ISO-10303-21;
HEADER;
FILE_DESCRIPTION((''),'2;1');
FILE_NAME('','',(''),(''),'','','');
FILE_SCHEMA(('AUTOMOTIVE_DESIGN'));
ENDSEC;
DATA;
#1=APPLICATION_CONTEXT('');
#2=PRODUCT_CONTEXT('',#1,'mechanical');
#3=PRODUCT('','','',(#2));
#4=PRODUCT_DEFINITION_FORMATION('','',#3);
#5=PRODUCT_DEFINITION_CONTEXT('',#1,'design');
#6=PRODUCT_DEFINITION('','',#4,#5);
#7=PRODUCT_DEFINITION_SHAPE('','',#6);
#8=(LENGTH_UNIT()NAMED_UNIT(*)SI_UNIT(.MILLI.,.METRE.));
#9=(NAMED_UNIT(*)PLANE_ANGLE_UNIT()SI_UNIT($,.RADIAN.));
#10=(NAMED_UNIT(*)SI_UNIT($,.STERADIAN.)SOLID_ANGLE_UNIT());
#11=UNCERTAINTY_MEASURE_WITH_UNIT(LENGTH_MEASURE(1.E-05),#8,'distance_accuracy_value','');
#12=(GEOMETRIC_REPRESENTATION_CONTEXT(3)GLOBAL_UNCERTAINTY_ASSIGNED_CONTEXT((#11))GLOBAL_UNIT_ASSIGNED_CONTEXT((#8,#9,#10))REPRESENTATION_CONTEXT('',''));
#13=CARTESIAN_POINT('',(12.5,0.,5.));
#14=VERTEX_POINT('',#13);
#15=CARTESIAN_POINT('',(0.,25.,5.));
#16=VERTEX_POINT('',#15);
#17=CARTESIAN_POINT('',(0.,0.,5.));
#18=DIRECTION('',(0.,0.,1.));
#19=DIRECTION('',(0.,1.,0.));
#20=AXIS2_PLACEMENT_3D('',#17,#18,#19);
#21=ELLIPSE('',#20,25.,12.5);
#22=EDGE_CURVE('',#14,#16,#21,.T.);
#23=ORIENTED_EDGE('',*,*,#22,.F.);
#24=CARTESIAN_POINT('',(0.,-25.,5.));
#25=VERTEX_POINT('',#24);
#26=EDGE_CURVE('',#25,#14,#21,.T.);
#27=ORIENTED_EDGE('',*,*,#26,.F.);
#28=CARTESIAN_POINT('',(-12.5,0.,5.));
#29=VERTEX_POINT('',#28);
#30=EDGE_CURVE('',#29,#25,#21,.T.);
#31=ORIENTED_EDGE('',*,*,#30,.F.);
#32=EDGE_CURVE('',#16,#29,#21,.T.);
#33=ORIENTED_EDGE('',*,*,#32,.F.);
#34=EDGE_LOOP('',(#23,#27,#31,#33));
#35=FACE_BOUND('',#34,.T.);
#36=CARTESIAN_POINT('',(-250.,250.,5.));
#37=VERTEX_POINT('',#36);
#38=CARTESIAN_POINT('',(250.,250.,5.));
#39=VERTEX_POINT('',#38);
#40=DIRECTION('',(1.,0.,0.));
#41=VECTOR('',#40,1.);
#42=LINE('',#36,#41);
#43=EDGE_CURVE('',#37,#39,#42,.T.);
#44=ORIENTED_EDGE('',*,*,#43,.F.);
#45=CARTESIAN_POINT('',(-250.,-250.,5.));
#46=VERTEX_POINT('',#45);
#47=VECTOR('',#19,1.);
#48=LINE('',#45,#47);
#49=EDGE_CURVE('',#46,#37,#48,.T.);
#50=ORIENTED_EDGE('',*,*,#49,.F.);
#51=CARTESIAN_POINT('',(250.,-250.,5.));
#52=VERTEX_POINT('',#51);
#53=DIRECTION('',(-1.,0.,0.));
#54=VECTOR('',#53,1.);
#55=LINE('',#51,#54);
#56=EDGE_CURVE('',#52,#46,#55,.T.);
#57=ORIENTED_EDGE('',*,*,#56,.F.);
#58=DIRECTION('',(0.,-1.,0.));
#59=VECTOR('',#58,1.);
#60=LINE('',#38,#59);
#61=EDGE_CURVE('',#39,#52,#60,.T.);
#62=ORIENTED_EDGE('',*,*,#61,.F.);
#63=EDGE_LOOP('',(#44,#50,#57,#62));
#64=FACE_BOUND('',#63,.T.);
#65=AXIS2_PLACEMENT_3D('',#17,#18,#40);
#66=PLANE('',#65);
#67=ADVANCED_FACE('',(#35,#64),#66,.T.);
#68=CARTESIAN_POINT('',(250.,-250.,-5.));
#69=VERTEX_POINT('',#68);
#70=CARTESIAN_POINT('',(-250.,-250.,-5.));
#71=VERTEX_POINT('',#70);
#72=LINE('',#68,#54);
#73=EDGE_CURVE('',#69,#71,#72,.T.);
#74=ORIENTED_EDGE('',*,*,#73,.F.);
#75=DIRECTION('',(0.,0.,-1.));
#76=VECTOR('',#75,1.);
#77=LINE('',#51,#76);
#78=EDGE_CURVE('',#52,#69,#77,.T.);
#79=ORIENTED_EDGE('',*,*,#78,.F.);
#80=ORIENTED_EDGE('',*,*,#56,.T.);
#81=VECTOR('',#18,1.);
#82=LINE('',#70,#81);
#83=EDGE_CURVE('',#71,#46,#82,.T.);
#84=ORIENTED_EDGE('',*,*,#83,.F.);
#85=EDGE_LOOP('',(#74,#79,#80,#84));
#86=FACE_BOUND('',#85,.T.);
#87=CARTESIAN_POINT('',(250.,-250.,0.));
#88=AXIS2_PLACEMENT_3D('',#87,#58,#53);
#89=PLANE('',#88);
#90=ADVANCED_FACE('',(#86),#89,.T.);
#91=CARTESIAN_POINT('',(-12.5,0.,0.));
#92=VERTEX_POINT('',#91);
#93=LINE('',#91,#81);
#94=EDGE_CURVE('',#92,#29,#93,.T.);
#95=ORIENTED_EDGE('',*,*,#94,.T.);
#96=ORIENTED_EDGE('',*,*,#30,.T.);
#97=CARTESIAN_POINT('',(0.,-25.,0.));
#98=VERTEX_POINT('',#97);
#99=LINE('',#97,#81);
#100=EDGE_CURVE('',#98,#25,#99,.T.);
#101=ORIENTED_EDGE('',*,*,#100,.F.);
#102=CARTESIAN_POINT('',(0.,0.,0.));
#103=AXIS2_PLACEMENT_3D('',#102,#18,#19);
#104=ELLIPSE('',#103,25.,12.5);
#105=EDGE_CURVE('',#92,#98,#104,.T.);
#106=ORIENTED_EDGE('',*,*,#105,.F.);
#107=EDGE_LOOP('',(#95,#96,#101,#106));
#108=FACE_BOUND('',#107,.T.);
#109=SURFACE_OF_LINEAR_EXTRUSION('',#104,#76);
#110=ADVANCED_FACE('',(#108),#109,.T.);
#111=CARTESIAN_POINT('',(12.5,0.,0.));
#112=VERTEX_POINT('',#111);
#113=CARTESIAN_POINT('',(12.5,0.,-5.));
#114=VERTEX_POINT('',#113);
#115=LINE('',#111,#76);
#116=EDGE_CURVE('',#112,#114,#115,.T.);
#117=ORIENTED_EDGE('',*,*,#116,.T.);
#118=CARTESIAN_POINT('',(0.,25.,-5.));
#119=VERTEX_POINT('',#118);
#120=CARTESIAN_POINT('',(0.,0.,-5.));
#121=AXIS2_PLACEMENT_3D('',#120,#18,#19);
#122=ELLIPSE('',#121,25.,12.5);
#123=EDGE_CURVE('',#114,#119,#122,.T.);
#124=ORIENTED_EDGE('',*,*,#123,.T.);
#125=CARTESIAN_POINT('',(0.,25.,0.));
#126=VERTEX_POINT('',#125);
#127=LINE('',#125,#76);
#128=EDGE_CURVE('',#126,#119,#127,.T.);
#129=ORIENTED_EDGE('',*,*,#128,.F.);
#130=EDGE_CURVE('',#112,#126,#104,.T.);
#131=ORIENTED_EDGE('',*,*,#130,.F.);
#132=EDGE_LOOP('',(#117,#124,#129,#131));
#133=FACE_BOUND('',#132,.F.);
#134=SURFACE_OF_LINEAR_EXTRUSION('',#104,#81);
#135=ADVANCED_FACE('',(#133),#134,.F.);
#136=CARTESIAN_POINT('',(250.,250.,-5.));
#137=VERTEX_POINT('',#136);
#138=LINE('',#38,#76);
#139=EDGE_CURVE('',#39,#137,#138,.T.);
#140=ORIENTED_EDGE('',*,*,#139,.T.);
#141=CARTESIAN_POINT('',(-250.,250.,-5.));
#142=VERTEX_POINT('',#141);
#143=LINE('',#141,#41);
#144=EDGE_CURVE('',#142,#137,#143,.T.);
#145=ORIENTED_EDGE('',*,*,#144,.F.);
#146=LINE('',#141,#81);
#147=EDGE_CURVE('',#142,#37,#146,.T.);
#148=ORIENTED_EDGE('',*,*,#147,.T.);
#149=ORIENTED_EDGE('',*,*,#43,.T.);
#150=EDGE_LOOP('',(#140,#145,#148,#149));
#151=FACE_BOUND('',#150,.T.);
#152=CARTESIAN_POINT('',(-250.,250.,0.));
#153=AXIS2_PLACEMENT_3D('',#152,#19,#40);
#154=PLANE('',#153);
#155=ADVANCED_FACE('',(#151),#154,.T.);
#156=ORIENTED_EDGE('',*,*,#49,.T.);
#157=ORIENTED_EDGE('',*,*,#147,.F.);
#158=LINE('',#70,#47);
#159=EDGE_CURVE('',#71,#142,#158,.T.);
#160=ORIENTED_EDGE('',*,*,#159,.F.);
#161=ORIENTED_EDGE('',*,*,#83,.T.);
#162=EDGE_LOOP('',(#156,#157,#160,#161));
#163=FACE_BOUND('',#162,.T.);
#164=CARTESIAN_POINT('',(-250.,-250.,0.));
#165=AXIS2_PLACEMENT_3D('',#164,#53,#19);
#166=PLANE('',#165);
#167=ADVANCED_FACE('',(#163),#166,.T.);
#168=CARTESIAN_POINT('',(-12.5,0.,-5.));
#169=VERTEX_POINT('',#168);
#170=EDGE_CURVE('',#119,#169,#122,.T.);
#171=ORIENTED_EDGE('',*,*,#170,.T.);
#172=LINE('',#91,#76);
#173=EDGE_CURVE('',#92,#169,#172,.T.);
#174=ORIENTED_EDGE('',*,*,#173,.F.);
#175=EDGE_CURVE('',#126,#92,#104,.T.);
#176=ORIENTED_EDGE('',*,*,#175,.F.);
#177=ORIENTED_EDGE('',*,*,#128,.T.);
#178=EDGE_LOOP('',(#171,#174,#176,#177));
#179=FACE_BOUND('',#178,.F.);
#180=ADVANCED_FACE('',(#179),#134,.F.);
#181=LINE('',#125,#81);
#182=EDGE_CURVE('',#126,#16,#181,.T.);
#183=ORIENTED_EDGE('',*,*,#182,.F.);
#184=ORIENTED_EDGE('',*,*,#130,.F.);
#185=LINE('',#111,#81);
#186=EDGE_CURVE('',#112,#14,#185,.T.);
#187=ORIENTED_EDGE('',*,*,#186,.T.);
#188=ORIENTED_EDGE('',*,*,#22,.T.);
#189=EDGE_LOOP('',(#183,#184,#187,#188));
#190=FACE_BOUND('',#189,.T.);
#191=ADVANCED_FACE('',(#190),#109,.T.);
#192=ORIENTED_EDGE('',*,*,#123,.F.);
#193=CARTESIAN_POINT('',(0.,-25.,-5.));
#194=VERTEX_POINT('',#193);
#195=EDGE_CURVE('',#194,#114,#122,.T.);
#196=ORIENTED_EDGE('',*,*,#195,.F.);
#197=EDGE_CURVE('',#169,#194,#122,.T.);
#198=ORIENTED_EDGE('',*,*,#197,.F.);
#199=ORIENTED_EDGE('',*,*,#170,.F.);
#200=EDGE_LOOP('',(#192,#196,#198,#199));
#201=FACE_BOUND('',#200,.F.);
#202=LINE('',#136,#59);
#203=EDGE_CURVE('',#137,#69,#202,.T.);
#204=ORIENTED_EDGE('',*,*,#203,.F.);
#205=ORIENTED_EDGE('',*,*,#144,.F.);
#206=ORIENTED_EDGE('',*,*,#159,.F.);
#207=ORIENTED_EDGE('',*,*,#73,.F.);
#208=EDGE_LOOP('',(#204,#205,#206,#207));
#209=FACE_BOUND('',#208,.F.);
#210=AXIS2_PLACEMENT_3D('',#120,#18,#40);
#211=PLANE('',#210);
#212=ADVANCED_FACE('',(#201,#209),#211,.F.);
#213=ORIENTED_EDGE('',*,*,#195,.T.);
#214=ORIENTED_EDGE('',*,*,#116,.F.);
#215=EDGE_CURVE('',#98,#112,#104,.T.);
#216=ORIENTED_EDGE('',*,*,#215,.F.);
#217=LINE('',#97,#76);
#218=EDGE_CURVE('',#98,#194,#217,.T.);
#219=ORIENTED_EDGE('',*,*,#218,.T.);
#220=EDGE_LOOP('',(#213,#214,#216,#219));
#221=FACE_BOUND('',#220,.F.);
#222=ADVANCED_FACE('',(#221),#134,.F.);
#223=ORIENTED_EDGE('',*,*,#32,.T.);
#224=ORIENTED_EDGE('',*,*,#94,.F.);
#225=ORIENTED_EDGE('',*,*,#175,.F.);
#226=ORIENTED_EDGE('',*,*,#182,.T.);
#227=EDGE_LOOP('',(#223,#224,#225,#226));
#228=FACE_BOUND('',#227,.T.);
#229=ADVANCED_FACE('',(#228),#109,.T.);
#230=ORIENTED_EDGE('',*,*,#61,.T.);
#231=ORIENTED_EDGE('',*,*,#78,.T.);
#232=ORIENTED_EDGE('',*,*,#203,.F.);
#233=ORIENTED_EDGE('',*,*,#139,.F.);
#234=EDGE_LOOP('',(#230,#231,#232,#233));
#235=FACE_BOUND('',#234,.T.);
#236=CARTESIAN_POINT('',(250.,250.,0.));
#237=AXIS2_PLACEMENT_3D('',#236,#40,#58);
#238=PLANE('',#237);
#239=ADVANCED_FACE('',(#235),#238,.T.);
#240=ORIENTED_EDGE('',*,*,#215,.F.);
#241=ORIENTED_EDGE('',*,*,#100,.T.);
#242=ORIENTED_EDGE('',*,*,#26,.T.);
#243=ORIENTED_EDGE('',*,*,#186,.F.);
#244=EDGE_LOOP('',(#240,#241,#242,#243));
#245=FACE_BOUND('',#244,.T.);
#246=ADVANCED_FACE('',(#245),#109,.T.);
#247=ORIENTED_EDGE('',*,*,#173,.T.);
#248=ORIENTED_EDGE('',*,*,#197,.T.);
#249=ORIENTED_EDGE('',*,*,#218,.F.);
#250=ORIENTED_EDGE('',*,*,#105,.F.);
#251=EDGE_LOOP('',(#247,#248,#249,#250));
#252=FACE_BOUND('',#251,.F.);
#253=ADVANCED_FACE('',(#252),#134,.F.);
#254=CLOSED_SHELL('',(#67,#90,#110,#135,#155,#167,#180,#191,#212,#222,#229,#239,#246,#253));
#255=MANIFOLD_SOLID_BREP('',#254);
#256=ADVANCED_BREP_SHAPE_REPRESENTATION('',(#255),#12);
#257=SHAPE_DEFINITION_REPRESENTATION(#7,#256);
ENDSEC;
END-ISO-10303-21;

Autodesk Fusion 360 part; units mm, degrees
sketch "Sketch1" plane through (0, 0, 0) normal (0, 0, 1) x (1, 0, 0)
  line L0 (-250, 250) -> (250, 250)
  line L1 (250, 250) -> (250, -250)
  line L2 (250, -250) -> (-250, -250)
  line L3 (-250, -250) -> (-250, 250)
  line L4 (0, 250) -> (0, -250) construction
  line L5 (-250, 0) -> (250, 0) construction
  ellipse E0 centre (0, 0) end of major axis (0, 25) minor radius 12.5
  line L6 (0, -25) -> (0, 25)
  line L7 (12.5, 0) -> (-12.5, 0)
  dimension "Total_Width" = 500
  dimension "Major_Radius" = 25
  dimension "Minor_Radius" = 12.5
extrude "Extrude1" add sketch "Sketch1" along normal mid plane 10
equation "Thickness = 1 cm"
